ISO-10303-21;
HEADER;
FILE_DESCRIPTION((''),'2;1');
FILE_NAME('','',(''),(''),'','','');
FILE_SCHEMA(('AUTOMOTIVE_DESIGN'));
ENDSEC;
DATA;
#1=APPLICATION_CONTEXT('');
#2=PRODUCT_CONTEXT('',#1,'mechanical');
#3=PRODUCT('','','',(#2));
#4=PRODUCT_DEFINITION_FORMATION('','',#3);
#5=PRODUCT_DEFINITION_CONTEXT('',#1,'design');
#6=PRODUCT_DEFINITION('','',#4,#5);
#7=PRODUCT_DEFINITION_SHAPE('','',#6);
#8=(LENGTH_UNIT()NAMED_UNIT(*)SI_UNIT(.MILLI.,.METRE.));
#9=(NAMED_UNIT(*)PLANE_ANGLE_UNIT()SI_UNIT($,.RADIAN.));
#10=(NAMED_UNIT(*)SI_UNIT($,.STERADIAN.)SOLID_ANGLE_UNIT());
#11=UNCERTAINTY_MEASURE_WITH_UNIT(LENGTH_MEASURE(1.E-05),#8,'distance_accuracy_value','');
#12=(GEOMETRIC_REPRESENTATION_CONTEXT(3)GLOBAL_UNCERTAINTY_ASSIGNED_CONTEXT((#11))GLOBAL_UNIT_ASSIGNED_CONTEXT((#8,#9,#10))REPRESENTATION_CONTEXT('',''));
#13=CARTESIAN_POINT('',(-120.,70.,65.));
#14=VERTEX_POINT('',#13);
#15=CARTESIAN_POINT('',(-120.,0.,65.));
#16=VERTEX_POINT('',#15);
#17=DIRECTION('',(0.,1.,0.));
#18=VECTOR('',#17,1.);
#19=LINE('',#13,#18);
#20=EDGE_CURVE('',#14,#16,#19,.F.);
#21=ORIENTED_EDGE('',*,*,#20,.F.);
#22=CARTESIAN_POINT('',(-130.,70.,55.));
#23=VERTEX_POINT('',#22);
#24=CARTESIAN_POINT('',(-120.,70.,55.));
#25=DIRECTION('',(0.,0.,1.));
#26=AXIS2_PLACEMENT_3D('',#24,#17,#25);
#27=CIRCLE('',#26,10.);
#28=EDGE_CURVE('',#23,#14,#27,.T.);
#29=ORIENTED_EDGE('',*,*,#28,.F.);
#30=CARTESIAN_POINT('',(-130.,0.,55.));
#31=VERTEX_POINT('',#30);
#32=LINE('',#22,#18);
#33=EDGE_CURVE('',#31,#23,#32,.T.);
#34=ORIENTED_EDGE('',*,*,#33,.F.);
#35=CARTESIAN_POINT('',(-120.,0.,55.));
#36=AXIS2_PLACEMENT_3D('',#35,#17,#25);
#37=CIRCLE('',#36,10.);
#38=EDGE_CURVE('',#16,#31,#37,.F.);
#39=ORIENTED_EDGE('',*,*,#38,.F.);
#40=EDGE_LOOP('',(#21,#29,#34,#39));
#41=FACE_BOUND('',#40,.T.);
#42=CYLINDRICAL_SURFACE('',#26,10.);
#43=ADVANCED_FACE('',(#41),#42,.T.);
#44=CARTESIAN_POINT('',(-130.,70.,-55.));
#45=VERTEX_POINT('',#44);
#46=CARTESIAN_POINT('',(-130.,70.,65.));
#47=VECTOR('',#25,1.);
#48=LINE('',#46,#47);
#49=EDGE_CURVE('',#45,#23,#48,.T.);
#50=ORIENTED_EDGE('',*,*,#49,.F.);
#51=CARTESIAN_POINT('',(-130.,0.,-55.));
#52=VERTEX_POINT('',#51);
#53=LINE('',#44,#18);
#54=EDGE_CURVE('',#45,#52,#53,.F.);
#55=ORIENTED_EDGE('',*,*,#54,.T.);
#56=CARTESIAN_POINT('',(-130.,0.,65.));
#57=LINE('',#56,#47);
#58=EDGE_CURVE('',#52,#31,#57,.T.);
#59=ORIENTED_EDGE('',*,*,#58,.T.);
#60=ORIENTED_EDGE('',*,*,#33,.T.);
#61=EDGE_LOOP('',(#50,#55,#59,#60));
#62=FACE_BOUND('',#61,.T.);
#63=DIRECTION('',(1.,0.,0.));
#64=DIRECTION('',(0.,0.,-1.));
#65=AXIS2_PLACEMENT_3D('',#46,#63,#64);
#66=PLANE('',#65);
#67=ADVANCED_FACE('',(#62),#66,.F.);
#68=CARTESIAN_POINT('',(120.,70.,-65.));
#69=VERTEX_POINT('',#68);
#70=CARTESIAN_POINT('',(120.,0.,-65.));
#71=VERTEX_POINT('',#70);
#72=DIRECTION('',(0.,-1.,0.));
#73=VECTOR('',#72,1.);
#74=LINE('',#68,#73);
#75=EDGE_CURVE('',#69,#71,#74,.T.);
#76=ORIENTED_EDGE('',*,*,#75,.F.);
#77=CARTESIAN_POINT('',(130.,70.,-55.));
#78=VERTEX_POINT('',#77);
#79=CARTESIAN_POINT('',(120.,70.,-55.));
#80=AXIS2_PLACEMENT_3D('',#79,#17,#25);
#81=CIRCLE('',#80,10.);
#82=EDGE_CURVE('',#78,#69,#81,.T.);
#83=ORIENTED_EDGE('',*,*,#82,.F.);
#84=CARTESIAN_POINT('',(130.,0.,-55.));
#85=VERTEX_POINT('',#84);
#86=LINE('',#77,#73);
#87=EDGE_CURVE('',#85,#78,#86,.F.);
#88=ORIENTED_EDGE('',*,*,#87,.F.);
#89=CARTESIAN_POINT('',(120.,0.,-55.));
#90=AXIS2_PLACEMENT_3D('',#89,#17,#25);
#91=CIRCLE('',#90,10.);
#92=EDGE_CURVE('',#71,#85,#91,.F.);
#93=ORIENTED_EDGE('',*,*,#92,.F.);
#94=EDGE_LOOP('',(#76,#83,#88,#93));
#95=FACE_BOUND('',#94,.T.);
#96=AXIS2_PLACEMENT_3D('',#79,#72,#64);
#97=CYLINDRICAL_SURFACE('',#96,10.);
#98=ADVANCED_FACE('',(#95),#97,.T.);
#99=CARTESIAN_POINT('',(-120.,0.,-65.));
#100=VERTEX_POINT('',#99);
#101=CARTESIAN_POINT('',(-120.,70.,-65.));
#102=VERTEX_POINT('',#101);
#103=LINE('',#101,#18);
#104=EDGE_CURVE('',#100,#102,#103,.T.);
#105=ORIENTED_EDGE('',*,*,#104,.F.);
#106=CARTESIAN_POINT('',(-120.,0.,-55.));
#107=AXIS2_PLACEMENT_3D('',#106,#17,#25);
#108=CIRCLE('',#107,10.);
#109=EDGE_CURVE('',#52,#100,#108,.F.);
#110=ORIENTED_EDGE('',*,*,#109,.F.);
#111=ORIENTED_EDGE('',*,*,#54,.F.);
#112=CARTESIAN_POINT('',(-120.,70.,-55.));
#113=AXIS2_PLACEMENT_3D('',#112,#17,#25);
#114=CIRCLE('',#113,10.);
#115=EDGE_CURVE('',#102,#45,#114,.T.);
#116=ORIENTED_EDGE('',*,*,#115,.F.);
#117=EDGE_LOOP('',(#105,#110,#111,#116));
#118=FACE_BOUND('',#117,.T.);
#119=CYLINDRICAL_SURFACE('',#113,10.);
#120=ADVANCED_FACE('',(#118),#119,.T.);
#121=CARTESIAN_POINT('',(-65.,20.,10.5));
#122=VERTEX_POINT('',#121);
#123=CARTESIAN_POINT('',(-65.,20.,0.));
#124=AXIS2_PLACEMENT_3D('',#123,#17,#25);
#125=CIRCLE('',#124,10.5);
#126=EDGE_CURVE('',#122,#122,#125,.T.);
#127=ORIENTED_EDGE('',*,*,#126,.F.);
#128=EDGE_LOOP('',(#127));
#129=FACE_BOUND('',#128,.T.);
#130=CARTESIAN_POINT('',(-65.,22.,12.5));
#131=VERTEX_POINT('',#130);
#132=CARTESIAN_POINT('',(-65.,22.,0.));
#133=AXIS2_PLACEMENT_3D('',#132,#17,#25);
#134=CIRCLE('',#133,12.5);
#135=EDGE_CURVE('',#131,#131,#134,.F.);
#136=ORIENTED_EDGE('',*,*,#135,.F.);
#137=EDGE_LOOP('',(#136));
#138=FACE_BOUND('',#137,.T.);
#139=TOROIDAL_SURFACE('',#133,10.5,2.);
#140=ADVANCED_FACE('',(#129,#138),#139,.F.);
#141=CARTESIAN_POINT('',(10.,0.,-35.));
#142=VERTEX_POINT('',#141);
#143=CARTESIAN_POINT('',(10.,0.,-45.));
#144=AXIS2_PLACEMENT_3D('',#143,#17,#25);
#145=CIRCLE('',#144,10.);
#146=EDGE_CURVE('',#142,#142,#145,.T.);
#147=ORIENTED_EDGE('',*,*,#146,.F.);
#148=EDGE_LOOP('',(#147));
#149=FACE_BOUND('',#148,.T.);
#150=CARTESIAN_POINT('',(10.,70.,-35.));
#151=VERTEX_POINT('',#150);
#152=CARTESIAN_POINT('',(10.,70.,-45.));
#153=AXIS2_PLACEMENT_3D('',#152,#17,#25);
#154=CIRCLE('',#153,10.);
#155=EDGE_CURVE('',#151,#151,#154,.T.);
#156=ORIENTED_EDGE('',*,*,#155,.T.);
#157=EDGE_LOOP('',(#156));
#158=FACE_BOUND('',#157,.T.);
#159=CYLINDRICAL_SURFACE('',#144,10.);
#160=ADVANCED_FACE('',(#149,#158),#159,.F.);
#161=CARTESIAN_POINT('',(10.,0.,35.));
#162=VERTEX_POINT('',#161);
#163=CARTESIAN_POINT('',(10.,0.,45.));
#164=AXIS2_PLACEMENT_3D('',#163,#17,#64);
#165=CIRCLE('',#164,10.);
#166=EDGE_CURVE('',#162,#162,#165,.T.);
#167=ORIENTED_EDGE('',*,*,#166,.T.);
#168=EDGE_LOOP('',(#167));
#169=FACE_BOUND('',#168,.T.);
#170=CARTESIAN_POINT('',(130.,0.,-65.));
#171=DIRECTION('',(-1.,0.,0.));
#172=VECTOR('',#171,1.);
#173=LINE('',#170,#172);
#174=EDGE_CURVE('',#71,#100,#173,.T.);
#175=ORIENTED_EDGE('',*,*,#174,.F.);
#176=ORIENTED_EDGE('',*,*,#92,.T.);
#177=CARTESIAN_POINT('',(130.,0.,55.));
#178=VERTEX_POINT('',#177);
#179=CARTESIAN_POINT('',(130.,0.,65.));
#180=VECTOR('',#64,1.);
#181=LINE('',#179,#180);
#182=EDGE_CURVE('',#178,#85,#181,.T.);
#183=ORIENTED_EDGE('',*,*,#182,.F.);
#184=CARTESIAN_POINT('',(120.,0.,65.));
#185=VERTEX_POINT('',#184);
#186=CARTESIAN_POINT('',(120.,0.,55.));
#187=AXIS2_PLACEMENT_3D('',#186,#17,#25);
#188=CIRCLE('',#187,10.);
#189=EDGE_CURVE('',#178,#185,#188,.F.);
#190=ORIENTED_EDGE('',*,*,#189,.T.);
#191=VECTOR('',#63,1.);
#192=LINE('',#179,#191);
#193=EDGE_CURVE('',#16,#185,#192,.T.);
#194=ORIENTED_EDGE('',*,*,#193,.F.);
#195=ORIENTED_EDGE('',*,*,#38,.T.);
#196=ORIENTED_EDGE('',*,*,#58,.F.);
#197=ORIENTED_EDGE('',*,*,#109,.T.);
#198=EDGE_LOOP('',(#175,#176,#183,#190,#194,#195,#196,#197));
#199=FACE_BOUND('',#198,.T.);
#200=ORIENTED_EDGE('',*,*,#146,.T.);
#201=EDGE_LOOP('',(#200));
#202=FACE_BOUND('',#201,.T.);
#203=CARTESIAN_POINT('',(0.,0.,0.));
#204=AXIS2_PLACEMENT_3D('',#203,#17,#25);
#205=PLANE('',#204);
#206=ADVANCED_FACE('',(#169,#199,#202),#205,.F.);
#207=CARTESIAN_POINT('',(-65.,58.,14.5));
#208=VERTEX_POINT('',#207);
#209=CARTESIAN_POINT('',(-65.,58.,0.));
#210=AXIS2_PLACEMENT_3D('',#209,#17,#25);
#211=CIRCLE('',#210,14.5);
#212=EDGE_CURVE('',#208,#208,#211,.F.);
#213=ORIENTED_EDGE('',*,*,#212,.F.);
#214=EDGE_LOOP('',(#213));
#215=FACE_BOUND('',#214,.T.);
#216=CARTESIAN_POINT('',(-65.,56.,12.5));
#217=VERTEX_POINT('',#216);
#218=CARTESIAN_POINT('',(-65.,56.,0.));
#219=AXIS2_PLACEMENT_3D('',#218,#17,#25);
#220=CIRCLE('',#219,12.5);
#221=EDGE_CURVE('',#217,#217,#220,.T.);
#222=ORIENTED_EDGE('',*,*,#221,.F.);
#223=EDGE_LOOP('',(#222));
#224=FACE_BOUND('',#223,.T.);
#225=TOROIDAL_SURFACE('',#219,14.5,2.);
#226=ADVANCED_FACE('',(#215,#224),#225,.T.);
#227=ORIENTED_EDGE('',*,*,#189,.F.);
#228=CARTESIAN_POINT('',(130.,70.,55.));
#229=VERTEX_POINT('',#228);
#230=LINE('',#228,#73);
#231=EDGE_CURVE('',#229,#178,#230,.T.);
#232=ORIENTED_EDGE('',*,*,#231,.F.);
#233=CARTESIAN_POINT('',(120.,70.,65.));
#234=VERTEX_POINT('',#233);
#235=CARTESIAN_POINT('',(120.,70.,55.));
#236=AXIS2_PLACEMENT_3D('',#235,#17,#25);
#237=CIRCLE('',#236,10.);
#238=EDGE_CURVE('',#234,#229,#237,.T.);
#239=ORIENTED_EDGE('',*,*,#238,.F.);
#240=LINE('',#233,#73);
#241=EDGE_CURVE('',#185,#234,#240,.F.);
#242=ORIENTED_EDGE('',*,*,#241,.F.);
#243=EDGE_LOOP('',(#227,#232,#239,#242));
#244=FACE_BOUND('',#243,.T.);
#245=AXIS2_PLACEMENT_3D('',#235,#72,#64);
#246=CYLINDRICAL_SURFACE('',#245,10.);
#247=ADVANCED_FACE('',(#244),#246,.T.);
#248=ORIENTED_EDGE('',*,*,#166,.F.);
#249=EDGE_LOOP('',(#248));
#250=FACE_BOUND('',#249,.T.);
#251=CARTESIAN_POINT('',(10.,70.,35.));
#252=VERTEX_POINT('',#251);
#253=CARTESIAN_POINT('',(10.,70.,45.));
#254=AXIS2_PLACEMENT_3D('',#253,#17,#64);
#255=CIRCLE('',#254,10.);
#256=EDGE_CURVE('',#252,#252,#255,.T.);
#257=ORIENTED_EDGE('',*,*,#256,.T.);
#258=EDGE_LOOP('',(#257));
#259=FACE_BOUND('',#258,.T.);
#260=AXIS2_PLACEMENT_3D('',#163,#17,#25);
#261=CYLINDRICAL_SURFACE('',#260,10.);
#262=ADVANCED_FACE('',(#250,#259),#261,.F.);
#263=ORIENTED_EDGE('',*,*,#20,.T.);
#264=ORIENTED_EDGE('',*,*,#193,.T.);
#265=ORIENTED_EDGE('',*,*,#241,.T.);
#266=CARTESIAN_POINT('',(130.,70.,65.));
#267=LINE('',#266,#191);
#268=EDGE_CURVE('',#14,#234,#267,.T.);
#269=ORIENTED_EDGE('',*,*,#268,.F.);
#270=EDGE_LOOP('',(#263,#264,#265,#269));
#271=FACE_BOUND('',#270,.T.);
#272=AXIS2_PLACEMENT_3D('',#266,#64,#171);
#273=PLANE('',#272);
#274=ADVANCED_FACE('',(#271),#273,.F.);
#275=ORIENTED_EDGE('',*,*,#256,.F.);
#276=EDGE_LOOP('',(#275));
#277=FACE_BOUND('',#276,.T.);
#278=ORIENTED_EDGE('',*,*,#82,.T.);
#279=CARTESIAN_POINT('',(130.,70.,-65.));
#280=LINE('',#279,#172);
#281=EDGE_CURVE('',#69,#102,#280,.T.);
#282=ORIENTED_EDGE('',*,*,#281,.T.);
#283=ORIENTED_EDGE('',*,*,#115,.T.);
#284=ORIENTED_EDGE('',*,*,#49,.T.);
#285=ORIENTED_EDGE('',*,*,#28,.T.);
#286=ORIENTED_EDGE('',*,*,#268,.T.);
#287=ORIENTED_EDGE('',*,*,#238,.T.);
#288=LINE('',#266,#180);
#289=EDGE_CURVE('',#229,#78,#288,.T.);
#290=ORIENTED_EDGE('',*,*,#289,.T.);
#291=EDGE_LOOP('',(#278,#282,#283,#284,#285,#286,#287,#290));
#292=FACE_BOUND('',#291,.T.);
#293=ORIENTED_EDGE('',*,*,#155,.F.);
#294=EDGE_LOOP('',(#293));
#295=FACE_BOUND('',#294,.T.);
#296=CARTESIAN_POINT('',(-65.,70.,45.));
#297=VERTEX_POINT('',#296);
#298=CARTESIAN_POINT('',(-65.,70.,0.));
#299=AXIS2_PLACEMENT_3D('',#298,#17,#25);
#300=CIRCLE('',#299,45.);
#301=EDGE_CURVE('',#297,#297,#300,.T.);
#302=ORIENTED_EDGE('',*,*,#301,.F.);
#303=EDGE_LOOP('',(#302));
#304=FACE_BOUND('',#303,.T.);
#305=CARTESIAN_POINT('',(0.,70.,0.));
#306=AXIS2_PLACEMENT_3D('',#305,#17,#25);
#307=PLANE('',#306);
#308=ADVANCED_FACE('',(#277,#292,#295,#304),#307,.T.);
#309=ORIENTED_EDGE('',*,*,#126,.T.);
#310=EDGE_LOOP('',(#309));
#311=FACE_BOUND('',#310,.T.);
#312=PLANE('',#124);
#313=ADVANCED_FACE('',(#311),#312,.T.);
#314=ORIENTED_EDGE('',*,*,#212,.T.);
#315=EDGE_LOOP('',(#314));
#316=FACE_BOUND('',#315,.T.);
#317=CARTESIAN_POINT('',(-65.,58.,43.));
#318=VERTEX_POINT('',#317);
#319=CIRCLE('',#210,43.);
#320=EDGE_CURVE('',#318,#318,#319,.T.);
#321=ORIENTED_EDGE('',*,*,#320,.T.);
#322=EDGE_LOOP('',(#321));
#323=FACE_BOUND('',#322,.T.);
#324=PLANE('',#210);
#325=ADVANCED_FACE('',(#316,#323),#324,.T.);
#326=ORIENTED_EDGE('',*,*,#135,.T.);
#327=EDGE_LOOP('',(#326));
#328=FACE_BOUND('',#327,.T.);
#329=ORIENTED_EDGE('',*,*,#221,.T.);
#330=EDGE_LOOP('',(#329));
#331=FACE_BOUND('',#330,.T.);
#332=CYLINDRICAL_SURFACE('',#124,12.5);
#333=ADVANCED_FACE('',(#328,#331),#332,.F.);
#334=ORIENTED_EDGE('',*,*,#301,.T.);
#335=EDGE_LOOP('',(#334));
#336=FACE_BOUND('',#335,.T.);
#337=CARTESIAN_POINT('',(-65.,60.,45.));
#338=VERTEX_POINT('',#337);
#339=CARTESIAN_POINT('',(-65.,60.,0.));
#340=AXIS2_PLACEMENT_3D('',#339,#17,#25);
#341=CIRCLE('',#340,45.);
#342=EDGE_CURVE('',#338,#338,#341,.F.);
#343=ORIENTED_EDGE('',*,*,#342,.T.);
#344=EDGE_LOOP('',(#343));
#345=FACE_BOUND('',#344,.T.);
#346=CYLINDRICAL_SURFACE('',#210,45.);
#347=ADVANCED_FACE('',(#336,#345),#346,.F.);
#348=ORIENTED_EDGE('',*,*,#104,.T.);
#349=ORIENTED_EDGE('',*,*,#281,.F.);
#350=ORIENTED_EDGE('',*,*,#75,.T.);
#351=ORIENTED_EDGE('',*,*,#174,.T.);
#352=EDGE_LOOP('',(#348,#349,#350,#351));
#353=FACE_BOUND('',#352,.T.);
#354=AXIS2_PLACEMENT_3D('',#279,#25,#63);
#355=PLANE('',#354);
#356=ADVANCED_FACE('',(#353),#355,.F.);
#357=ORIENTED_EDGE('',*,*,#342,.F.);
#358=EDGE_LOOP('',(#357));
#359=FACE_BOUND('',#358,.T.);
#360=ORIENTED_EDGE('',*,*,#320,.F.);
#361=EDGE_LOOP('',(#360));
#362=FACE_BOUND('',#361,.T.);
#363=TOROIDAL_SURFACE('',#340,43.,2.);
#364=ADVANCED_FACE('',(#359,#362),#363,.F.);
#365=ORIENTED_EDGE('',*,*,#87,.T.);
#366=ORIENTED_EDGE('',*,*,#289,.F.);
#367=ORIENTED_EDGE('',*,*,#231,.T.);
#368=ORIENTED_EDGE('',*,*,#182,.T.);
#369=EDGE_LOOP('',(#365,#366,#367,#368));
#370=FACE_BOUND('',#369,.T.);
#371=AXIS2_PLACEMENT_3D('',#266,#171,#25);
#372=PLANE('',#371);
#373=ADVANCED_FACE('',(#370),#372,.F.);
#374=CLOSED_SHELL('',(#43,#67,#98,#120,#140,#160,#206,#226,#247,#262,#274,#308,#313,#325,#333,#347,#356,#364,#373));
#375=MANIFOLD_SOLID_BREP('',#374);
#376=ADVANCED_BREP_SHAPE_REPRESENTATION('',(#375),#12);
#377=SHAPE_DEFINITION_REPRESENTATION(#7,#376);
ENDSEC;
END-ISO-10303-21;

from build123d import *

# Parameters (mm, degrees)
ESQUISSE2_W             = 260
ESQUISSE2_H             = 130
BOSS_EXTRU_2_DEPTH      = 70
ESQUISSE3_R             = 45
ENL_V_MAT_EXTRU_1_DEPTH = 12
CONG_1_R                = 2
ESQUISSE4_R             = 12.5
ENL_V_MAT_EXTRU_2_DEPTH = 38
CONG_2_R                = 2
CONG_3_R                = 2
CONG_4_R                = 10
CONG_5_R                = 10
CONG_6_R                = 10
CONG_7_R                = 10
ESQUISSE6_R             = 10
ENL_V_MAT_EXTRU_3_DEPTH = 71


with BuildPart() as part:
    # Esquisse2 → Boss.-Extru.2 (new body)
    with BuildSketch(Plane(origin=(0, 0, 0), x_dir=(1, 0, 0), z_dir=(0, 1, 0))):
        Rectangle(ESQUISSE2_W, ESQUISSE2_H)
    extrude(amount=BOSS_EXTRU_2_DEPTH)

    # Esquisse3 → Enlèv. mat.-Extru.1 (cut)
    with BuildSketch(Plane(origin=(0, 70, 0), x_dir=(1, 0, 0), z_dir=(0, 1, 0))):
        with Locations((-65, 0)):
            Circle(ESQUISSE3_R)
    extrude(amount=-ENL_V_MAT_EXTRU_1_DEPTH, mode=Mode.SUBTRACT)

    # Congé1
    cong_1_edges = [part.edges().sort_by_distance(p)[0] for p in [
        (-110, 58, 0),
    ]]
    fillet(cong_1_edges, radius=CONG_1_R)

    # Esquisse4 → Enlèv. mat.-Extru.2 (cut)
    with BuildSketch(Plane(origin=(0, 58, 0), x_dir=(1, 0, 0), z_dir=(0, 1, 0))):
        with Locations((-65, 0)):
            Circle(ESQUISSE4_R)
    extrude(amount=-ENL_V_MAT_EXTRU_2_DEPTH, mode=Mode.SUBTRACT)

    # Congé2
    cong_2_edges = [part.edges().sort_by_distance(p)[0] for p in [
        (-77.5, 58, 0),
    ]]
    fillet(cong_2_edges, radius=CONG_2_R)

    # Congé3
    cong_3_edges = [part.edges().sort_by_distance(p)[0] for p in [
        (-77.5, 20, 0),
    ]]
    fillet(cong_3_edges, radius=CONG_3_R)

    # Congé4
    cong_4_edges = [part.edges().sort_by_distance(p)[0] for p in [
        (-130, 35, -65),
    ]]
    fillet(cong_4_edges, radius=CONG_4_R)

    # Congé5
    cong_5_edges = [part.edges().sort_by_distance(p)[0] for p in [
        (-130, 35, 65),
    ]]
    fillet(cong_5_edges, radius=CONG_5_R)

    # Congé6
    cong_6_edges = [part.edges().sort_by_distance(p)[0] for p in [
        (130, 35, 65),
    ]]
    fillet(cong_6_edges, radius=CONG_6_R)

    # Congé7
    cong_7_edges = [part.edges().sort_by_distance(p)[0] for p in [
        (130, 35, -65),
    ]]
    fillet(cong_7_edges, radius=CONG_7_R)

    # Esquisse6 → Enlèv. mat.-Extru.3 (cut, through all)
    with BuildSketch(Plane(origin=(0, 70, 0), x_dir=(1, 0, 0), z_dir=(0, 1, 0))):
        with Locations((10, 45)):
            Circle(ESQUISSE6_R)
        with Locations((10, -45)):
            Circle(ESQUISSE6_R)
    extrude(amount=-ENL_V_MAT_EXTRU_3_DEPTH, mode=Mode.SUBTRACT)


solid = part.part
